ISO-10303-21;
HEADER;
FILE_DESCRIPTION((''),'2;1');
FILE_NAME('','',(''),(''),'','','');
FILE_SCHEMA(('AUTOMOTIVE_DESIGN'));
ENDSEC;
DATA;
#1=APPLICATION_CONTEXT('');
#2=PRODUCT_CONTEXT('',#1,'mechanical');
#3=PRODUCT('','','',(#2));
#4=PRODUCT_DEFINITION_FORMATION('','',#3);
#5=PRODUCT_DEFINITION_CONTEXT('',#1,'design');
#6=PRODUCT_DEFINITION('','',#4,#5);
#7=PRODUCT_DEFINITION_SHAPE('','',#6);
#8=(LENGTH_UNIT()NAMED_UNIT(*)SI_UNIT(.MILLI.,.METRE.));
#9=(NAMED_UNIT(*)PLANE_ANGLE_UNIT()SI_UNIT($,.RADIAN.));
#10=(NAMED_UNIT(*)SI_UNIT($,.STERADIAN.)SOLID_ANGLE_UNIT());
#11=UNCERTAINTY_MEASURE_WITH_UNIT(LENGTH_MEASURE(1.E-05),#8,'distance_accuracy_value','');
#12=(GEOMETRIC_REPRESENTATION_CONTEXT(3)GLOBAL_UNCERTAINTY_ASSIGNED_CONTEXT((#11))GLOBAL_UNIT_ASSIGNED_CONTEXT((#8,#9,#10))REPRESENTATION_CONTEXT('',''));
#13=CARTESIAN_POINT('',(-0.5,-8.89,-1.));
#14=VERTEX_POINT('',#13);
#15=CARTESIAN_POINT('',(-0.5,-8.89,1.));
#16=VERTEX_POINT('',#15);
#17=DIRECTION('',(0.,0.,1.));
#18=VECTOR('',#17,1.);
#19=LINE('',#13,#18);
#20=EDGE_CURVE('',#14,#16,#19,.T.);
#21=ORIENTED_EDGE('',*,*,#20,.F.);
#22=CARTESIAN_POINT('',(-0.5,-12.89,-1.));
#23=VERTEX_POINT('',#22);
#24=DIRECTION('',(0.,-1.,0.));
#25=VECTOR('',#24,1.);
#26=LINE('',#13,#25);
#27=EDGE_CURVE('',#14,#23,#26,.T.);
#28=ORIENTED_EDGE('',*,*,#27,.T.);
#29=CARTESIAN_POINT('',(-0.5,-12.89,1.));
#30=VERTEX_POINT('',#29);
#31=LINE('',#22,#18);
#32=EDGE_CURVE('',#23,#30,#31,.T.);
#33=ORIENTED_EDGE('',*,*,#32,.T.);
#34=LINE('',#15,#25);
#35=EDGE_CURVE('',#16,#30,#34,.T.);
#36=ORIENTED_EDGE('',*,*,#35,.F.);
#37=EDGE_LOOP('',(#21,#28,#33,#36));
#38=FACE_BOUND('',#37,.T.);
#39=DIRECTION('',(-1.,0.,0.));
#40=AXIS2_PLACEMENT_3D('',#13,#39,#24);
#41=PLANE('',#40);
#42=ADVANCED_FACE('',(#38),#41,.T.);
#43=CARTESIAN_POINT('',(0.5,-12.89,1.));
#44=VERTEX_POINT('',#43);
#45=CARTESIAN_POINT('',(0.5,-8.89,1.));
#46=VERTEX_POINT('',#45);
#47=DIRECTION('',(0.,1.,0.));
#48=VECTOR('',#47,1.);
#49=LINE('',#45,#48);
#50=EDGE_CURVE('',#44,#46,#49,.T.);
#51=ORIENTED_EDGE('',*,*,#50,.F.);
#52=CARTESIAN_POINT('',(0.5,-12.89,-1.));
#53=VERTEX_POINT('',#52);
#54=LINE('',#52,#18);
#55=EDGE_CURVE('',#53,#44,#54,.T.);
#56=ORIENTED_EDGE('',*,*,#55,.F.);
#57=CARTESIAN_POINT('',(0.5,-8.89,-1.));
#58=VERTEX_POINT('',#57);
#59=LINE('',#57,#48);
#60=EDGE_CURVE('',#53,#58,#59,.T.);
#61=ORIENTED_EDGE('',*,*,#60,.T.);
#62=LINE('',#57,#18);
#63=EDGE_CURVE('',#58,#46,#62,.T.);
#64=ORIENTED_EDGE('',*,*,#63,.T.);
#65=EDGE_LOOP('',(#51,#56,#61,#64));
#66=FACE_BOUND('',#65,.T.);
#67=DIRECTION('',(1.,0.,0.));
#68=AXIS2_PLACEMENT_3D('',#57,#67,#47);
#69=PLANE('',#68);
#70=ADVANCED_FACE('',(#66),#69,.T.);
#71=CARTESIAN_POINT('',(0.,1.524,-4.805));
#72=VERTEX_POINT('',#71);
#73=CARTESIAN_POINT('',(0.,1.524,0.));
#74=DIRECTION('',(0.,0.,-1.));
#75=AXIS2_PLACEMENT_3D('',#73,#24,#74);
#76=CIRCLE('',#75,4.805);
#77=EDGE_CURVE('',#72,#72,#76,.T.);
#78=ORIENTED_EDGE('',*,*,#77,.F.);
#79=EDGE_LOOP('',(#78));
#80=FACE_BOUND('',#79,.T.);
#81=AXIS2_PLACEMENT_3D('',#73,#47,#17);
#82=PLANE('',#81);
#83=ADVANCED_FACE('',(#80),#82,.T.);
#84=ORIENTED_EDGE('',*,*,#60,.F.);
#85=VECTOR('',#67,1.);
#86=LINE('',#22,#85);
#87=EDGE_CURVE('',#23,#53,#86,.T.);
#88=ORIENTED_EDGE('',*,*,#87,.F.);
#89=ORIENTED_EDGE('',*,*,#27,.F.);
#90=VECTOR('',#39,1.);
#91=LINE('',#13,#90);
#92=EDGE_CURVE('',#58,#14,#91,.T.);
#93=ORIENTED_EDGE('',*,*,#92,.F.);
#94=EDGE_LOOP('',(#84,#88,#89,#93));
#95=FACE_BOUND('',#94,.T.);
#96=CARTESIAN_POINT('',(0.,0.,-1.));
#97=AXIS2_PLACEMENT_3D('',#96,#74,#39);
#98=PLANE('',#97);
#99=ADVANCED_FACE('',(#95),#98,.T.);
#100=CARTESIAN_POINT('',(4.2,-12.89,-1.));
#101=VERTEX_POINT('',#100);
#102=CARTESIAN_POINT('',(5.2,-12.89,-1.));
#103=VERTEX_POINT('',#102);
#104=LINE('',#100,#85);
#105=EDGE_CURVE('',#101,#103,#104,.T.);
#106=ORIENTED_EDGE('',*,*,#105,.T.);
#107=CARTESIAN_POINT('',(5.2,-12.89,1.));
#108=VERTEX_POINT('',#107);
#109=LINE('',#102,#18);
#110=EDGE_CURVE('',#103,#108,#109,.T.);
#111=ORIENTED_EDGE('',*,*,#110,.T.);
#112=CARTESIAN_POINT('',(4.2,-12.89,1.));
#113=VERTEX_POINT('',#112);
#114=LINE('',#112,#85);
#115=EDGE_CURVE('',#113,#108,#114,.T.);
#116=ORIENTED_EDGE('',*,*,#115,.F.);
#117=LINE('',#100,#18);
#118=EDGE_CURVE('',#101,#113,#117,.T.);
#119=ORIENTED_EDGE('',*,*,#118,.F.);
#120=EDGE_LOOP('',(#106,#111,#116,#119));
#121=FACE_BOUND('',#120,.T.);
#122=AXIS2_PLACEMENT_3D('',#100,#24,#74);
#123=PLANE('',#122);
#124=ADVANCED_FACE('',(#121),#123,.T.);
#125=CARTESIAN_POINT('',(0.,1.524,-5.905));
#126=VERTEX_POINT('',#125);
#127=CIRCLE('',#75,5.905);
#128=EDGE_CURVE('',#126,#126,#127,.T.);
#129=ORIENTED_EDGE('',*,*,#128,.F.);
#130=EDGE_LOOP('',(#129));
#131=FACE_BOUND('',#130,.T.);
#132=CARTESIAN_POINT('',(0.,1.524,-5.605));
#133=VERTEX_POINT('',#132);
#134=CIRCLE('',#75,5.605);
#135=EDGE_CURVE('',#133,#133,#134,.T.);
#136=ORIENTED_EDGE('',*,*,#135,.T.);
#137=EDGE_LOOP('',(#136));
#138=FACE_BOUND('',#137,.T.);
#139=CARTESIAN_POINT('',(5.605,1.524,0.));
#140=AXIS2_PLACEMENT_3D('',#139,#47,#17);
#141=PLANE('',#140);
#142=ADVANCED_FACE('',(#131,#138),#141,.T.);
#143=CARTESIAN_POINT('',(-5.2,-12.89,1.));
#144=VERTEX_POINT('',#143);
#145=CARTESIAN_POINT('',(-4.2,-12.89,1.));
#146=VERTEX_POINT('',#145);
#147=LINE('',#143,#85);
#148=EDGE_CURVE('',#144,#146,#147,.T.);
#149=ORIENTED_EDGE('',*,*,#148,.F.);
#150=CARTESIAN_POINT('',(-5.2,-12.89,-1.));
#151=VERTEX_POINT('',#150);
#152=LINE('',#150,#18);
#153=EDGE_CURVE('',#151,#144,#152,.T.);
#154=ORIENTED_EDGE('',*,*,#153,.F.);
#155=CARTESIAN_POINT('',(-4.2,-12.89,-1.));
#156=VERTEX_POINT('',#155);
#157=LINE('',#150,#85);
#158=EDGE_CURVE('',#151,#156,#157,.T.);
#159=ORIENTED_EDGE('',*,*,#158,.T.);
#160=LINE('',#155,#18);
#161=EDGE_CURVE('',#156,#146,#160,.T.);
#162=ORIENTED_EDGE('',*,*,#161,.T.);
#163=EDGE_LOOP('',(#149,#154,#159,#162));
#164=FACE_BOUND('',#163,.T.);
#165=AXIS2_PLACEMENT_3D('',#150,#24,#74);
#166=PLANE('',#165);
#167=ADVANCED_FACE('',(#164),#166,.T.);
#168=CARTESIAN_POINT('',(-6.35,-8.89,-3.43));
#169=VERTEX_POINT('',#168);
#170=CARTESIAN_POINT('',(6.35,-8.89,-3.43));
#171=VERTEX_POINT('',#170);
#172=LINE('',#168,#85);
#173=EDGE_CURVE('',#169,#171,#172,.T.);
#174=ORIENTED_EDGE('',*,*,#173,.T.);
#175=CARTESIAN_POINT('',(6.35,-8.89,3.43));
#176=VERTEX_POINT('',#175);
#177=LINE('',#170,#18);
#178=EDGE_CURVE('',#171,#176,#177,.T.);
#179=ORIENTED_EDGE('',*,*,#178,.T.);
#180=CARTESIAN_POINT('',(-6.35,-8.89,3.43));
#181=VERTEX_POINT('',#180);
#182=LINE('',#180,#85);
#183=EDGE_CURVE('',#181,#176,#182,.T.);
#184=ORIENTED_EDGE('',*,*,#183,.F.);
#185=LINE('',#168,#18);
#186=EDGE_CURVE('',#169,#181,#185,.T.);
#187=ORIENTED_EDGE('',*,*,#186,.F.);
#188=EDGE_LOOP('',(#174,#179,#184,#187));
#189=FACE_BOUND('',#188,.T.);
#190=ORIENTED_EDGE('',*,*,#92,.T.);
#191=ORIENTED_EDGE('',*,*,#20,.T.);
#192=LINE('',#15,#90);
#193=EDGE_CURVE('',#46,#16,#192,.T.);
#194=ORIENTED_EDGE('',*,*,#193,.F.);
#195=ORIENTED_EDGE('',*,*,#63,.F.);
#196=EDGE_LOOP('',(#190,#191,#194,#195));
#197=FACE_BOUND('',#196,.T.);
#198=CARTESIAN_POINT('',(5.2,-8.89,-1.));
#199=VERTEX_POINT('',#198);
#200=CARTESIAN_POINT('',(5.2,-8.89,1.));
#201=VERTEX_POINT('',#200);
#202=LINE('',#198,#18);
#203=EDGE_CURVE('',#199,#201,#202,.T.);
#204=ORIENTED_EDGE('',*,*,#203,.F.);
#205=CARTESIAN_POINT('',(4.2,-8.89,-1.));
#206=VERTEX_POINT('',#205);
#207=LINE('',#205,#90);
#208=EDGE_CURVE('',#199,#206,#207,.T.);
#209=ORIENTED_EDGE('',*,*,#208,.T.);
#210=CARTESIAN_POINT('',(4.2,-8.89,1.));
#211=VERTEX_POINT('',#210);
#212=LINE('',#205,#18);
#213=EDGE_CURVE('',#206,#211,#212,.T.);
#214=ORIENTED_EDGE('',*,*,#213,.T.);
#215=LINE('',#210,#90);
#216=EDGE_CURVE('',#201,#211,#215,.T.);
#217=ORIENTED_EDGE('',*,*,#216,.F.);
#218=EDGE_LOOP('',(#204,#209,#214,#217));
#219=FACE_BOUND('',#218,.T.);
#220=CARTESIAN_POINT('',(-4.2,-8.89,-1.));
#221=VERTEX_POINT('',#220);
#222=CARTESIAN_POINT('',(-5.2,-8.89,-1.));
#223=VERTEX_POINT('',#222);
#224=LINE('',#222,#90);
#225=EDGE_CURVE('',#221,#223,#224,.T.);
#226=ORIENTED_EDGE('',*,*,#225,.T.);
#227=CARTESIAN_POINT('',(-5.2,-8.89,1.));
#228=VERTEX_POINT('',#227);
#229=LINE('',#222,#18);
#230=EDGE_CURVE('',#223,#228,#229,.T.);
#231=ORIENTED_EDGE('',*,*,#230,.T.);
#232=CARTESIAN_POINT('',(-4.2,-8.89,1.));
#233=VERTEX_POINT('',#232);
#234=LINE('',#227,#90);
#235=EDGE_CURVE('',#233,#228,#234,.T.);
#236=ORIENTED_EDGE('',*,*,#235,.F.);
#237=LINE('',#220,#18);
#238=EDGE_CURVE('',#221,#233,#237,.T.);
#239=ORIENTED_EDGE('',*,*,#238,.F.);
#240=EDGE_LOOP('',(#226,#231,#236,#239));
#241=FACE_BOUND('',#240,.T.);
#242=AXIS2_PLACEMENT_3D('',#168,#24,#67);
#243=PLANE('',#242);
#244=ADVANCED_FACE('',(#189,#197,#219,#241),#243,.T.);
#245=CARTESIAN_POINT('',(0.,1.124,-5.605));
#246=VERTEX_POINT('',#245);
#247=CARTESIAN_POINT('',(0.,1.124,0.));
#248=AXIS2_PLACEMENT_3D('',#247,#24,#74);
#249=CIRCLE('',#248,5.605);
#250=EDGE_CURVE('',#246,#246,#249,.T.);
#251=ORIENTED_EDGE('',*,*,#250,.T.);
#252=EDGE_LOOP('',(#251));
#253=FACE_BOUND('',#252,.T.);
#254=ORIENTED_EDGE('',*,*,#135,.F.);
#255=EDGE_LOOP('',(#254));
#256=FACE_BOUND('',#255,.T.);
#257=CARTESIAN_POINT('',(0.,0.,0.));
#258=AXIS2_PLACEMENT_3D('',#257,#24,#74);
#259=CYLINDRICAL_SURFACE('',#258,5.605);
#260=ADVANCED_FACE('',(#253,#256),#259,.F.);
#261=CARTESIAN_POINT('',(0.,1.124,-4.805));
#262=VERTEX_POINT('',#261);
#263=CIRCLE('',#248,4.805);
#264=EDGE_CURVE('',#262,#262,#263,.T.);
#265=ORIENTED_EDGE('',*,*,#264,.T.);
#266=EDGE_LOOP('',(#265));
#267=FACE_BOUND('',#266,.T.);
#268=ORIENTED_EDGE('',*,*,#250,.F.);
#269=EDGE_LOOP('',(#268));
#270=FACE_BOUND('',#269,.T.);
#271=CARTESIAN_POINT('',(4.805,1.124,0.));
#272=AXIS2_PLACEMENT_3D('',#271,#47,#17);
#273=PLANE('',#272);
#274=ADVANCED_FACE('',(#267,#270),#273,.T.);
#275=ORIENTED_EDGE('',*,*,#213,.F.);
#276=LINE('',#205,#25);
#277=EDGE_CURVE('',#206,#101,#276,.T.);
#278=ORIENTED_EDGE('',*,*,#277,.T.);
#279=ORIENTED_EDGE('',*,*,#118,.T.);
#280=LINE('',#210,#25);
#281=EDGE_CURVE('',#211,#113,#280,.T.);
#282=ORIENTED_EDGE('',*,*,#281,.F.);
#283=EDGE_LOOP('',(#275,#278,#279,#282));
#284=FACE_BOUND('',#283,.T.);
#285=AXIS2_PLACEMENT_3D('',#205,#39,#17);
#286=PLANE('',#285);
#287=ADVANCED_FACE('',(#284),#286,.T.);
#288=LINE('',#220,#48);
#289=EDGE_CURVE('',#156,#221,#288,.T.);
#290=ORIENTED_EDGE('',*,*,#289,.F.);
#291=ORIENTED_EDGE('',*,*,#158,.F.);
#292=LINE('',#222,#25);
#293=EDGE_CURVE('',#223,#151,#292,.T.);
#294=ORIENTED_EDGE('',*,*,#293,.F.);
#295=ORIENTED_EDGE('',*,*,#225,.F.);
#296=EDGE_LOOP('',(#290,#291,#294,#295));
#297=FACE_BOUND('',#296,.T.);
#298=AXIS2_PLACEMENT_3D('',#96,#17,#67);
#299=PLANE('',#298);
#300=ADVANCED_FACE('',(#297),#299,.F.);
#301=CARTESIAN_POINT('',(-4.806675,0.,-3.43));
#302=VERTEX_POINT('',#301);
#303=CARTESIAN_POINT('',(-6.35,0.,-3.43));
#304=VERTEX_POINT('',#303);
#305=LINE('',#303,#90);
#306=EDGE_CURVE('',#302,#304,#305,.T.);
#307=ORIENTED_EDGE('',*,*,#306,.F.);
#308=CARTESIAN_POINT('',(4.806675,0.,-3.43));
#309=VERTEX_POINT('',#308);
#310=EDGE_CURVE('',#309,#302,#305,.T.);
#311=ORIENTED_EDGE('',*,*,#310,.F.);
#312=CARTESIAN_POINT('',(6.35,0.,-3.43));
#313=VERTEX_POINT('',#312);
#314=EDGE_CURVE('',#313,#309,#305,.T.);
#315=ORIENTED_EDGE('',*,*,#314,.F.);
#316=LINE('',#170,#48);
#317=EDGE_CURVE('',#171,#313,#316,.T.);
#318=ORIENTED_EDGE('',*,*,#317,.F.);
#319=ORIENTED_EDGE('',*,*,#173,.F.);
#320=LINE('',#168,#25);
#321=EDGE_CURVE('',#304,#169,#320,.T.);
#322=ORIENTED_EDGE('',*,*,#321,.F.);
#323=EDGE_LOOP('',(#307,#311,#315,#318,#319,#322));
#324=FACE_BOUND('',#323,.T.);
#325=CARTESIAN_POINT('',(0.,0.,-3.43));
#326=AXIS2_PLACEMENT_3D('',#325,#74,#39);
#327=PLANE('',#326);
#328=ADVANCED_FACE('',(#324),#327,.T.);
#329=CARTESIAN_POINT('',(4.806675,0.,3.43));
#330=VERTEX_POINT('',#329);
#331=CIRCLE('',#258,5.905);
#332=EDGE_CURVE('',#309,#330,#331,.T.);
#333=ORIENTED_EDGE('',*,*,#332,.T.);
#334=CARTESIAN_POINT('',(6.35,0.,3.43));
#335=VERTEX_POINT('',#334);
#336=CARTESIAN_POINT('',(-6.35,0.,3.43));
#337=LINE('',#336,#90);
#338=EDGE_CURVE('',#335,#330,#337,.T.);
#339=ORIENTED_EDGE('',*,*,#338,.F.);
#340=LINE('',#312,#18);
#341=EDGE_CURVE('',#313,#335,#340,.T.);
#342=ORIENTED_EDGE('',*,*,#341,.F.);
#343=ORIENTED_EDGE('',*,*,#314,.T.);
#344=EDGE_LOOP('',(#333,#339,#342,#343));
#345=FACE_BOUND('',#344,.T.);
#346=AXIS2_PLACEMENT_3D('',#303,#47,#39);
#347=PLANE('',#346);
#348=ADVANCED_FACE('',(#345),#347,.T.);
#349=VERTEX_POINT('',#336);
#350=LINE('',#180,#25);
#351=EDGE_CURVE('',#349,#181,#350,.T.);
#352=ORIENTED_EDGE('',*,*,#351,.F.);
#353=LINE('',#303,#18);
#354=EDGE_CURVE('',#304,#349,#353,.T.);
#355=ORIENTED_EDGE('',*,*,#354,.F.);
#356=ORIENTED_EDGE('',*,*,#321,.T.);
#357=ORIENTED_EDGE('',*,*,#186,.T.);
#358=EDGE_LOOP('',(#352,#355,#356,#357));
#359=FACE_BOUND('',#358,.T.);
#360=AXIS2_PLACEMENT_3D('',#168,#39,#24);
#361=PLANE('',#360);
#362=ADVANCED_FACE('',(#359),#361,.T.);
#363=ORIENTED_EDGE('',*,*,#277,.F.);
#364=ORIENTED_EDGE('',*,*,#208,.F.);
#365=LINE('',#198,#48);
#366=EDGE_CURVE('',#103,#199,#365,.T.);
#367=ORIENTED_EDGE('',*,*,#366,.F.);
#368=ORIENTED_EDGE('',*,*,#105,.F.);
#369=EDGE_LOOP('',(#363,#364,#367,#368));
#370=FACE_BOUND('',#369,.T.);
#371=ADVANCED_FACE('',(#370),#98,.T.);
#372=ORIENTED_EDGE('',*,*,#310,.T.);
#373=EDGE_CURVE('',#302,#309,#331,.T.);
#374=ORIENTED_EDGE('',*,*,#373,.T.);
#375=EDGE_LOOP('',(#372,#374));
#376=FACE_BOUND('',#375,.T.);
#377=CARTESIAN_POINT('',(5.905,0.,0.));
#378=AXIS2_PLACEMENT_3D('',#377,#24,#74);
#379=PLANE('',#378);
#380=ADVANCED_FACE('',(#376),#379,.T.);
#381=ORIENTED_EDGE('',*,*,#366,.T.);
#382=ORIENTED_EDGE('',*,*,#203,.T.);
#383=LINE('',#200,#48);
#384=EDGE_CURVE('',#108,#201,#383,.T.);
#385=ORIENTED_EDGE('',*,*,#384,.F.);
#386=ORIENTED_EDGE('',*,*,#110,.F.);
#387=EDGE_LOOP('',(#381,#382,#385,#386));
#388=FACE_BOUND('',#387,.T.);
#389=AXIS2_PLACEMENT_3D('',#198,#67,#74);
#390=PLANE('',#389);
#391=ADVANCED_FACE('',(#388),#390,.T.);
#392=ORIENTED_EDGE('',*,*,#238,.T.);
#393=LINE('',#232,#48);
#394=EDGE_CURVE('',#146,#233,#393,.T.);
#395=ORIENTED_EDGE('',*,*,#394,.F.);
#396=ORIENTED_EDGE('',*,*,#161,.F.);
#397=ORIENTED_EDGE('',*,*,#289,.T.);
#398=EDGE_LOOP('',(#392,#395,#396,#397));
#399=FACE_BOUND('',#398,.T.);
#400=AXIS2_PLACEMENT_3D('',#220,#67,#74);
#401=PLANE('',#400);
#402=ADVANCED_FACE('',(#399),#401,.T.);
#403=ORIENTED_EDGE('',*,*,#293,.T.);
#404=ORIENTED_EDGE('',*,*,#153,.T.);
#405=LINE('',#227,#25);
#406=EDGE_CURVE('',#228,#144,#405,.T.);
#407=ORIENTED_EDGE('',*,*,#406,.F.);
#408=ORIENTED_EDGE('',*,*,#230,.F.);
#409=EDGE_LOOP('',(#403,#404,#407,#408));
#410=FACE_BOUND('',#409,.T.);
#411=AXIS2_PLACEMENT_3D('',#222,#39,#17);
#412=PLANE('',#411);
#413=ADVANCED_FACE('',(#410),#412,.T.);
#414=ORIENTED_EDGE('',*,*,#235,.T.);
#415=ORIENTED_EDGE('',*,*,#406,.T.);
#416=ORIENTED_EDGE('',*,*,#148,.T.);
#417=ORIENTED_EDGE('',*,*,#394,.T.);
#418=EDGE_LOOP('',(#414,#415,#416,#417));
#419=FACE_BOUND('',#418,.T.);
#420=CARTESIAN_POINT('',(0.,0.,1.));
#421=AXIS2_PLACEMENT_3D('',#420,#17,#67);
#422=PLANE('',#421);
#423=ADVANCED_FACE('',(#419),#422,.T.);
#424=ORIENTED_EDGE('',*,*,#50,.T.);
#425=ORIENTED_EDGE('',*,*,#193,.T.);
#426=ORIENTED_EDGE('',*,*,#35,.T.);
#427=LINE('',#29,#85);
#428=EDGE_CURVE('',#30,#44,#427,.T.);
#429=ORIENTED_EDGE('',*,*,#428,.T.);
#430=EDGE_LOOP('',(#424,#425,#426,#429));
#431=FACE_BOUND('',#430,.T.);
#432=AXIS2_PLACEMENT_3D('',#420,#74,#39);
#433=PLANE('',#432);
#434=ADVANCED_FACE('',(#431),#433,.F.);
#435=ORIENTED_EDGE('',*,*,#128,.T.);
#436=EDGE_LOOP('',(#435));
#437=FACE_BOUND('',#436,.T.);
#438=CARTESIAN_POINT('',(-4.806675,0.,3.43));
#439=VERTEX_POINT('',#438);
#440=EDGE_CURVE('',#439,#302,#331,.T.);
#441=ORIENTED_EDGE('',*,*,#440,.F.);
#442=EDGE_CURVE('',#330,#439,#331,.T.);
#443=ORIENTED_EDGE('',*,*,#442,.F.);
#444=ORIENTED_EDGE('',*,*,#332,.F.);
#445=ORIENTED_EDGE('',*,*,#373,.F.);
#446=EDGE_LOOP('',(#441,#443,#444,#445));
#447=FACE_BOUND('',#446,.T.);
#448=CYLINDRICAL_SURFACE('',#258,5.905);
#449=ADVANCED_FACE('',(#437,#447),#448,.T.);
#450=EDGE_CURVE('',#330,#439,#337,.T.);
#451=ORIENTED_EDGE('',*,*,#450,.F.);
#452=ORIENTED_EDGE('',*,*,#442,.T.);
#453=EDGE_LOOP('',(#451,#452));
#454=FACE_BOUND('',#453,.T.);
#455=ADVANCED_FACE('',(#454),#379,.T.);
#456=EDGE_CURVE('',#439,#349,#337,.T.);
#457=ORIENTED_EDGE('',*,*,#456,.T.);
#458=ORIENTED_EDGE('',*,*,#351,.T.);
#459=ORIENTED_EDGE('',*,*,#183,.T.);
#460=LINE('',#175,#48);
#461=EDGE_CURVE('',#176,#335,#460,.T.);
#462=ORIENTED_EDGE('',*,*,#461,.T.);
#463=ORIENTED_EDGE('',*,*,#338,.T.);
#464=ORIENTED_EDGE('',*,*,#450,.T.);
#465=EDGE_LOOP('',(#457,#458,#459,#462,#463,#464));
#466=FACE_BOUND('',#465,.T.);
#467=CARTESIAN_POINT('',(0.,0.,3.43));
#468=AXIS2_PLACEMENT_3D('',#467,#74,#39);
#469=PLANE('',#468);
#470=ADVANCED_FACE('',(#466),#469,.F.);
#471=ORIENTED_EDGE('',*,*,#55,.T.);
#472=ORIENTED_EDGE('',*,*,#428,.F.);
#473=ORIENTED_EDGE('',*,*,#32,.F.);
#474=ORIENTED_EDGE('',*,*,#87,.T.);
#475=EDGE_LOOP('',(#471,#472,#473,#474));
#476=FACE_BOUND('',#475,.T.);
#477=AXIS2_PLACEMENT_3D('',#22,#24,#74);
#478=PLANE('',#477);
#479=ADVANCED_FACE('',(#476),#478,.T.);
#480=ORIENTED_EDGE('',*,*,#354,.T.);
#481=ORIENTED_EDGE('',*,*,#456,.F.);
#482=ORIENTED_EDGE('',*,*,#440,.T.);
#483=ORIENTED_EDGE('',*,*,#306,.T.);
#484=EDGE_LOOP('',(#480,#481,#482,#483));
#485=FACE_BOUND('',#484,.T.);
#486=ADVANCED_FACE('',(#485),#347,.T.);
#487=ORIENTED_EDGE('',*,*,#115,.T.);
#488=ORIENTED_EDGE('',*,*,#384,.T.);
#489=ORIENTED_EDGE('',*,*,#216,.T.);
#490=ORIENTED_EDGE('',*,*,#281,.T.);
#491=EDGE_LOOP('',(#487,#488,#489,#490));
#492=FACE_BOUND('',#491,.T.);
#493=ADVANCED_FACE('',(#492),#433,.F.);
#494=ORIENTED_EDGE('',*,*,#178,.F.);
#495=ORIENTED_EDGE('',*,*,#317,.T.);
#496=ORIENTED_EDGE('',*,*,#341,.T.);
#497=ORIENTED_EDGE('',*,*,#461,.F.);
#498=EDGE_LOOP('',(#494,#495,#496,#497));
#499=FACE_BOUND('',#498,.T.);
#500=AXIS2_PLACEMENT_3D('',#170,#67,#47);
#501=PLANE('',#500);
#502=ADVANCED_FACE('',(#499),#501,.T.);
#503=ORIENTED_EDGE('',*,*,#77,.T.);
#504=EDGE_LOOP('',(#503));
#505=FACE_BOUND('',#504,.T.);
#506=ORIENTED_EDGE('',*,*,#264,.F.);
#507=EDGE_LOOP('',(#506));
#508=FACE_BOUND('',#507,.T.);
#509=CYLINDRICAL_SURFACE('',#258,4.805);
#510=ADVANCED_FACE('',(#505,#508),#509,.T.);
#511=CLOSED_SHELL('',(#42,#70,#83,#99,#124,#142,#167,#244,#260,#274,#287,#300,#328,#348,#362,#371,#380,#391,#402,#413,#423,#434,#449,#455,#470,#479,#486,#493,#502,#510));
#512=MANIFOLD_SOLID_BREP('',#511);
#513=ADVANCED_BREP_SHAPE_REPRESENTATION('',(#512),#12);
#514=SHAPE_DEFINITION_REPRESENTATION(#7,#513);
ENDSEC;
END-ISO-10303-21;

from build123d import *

# Parameters (mm, degrees)
BOSS_EXTRUDE1_DEPTH      = 3.43
BOSS_EXTRUDE1_DEPTH_BACK = 3.43
SKETCH1_W                = 12.7
SKETCH1_H                = 8.89
BOSS_EXTRUDE2_DEPTH      = 1
BOSS_EXTRUDE2_DEPTH_BACK = 1
SKETCH2_W                = 1
SKETCH2_H                = 4


with BuildPart() as part:
    # Sketch1 → Boss-Extrude1 (new, two sides: drawn at the far end of the back side and taken through both)
    with BuildSketch(Plane.XY.offset(-BOSS_EXTRUDE1_DEPTH_BACK)):
        with Locations((0, -4.445)):
            Rectangle(SKETCH1_W, SKETCH1_H)
    extrude(amount=BOSS_EXTRUDE1_DEPTH + BOSS_EXTRUDE1_DEPTH_BACK)

    # Sketch2 → Boss-Extrude2 (add, two sides: drawn at the far end of the back side and taken through both)
    with BuildSketch(Plane.XY.offset(-BOSS_EXTRUDE2_DEPTH_BACK)):
        with Locations((-4.7, -10.89)):
            Rectangle(SKETCH2_W, SKETCH2_H)
        with Locations((0, -10.89)):
            Rectangle(SKETCH2_W, SKETCH2_H)
        with Locations((4.7, -10.89)):
            Rectangle(SKETCH2_W, SKETCH2_H)
    extrude(amount=BOSS_EXTRUDE2_DEPTH + BOSS_EXTRUDE2_DEPTH_BACK)

    # Sketch3 → Revolve1 (revolve)
    with BuildSketch(Plane.XY):
        Polygon((0, 0), (0, 1.524), (4.805, 1.524), (4.805, 1.124), (5.605, 1.124), (5.605, 1.524), (5.905, 1.524), (5.905, 0), align=None)
    revolve(axis=Axis((0, 0, 0), (0, 1, 0)))


solid = part.part
